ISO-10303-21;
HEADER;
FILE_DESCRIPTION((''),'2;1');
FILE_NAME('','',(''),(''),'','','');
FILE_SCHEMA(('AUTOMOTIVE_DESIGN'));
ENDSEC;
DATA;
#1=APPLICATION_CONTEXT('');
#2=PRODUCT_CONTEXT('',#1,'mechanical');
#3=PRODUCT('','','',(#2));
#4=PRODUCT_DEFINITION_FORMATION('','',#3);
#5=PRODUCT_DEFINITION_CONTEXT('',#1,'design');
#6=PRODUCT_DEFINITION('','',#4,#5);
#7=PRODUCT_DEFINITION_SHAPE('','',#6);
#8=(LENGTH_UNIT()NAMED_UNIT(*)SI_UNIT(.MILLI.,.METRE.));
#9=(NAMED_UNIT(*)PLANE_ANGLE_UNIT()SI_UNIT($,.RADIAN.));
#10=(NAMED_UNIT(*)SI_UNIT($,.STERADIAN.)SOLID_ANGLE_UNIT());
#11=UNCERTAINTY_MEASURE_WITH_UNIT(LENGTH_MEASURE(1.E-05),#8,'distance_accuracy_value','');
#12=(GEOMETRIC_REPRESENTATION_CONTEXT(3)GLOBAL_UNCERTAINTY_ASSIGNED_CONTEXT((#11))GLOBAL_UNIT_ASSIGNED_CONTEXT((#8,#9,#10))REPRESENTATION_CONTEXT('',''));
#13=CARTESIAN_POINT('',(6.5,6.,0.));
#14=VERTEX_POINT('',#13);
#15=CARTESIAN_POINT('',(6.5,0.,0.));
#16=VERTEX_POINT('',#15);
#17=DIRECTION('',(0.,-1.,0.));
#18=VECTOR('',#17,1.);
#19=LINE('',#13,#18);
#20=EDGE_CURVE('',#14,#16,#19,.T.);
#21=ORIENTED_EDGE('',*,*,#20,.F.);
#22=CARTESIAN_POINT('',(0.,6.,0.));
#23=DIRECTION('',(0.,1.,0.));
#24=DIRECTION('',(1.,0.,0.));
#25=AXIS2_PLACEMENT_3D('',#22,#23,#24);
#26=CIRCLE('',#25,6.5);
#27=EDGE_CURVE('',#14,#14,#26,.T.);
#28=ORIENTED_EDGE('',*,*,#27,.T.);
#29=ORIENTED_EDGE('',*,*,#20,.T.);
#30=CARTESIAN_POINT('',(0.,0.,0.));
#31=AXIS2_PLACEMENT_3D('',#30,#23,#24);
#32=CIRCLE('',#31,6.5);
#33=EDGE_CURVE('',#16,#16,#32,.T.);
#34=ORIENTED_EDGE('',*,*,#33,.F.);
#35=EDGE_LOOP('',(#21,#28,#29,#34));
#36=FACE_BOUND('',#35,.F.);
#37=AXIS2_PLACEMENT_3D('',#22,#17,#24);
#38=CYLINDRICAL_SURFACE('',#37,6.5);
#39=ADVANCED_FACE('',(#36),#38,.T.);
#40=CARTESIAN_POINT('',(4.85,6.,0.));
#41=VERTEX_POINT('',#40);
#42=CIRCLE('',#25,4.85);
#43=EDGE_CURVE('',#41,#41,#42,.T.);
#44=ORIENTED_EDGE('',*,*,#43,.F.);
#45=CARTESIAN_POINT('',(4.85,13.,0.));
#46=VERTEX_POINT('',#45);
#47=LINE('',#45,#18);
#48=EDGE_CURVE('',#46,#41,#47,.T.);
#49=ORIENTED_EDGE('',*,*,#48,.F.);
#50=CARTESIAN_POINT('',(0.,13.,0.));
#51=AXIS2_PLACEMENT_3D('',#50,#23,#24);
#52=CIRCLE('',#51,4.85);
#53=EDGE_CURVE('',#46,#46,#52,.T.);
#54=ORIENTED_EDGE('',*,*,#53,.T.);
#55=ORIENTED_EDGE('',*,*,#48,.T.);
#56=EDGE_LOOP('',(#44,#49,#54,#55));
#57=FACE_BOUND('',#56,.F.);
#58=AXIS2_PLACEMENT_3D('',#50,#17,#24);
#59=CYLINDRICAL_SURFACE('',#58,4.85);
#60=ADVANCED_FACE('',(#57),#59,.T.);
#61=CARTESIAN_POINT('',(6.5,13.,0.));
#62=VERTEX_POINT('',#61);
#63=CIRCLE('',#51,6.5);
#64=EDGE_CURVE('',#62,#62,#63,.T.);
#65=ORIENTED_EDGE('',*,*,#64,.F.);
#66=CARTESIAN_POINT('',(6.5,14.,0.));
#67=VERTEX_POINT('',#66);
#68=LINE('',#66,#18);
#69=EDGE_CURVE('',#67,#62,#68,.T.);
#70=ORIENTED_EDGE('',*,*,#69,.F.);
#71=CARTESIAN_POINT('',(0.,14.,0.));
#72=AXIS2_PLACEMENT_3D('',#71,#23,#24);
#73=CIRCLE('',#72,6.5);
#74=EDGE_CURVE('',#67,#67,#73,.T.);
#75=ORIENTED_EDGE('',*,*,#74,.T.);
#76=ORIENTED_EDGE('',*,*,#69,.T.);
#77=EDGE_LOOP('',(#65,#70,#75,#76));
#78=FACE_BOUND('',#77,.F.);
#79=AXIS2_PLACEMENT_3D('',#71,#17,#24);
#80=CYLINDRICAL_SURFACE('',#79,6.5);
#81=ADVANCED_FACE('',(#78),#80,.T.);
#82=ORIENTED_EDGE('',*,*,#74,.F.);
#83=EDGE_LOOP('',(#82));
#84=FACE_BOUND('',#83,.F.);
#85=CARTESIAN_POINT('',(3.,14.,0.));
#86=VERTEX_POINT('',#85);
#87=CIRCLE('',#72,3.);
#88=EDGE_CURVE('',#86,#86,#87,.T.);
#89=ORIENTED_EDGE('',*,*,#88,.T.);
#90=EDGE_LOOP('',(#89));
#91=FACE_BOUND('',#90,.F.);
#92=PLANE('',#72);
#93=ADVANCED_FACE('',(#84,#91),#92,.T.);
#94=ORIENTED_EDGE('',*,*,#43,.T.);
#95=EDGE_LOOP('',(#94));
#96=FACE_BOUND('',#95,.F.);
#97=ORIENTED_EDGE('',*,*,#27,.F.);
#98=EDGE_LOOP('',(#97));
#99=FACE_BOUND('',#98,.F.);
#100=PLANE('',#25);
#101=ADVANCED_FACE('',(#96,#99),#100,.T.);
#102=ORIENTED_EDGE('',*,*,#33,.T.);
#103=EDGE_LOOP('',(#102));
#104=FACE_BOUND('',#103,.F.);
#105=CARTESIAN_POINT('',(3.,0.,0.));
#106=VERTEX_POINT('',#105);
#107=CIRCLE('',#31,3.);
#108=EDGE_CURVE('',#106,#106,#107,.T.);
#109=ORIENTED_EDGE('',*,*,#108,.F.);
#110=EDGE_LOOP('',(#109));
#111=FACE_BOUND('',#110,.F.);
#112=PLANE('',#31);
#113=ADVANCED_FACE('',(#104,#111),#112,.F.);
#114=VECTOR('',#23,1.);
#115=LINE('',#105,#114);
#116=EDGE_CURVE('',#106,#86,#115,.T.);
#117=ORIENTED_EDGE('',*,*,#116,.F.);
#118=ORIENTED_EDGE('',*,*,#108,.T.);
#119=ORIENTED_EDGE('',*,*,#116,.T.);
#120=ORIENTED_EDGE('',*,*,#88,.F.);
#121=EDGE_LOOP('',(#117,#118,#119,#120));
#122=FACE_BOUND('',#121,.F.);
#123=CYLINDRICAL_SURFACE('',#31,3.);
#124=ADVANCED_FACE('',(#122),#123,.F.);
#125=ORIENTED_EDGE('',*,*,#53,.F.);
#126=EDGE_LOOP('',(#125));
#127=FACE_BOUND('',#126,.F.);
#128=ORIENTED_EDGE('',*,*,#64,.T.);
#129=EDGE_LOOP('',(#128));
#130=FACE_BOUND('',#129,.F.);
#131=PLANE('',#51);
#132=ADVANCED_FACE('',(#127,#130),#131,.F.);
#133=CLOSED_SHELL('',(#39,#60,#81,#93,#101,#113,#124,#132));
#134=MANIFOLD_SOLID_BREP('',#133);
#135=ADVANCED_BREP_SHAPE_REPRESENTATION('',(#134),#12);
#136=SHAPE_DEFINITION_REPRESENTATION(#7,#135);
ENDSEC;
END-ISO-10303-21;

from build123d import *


with BuildPart() as part:
    # Sketch → Revolution (revolve)
    with BuildSketch(Plane.XY):
        Polygon((3, 0), (3, 14), (6.5, 14), (6.5, 13), (4.85, 13), (4.85, 6), (6.5, 6), (6.5, 0), align=None)
    revolve(axis=Axis((0, 0, 0), (0, 1, 0)))


solid = part.part
